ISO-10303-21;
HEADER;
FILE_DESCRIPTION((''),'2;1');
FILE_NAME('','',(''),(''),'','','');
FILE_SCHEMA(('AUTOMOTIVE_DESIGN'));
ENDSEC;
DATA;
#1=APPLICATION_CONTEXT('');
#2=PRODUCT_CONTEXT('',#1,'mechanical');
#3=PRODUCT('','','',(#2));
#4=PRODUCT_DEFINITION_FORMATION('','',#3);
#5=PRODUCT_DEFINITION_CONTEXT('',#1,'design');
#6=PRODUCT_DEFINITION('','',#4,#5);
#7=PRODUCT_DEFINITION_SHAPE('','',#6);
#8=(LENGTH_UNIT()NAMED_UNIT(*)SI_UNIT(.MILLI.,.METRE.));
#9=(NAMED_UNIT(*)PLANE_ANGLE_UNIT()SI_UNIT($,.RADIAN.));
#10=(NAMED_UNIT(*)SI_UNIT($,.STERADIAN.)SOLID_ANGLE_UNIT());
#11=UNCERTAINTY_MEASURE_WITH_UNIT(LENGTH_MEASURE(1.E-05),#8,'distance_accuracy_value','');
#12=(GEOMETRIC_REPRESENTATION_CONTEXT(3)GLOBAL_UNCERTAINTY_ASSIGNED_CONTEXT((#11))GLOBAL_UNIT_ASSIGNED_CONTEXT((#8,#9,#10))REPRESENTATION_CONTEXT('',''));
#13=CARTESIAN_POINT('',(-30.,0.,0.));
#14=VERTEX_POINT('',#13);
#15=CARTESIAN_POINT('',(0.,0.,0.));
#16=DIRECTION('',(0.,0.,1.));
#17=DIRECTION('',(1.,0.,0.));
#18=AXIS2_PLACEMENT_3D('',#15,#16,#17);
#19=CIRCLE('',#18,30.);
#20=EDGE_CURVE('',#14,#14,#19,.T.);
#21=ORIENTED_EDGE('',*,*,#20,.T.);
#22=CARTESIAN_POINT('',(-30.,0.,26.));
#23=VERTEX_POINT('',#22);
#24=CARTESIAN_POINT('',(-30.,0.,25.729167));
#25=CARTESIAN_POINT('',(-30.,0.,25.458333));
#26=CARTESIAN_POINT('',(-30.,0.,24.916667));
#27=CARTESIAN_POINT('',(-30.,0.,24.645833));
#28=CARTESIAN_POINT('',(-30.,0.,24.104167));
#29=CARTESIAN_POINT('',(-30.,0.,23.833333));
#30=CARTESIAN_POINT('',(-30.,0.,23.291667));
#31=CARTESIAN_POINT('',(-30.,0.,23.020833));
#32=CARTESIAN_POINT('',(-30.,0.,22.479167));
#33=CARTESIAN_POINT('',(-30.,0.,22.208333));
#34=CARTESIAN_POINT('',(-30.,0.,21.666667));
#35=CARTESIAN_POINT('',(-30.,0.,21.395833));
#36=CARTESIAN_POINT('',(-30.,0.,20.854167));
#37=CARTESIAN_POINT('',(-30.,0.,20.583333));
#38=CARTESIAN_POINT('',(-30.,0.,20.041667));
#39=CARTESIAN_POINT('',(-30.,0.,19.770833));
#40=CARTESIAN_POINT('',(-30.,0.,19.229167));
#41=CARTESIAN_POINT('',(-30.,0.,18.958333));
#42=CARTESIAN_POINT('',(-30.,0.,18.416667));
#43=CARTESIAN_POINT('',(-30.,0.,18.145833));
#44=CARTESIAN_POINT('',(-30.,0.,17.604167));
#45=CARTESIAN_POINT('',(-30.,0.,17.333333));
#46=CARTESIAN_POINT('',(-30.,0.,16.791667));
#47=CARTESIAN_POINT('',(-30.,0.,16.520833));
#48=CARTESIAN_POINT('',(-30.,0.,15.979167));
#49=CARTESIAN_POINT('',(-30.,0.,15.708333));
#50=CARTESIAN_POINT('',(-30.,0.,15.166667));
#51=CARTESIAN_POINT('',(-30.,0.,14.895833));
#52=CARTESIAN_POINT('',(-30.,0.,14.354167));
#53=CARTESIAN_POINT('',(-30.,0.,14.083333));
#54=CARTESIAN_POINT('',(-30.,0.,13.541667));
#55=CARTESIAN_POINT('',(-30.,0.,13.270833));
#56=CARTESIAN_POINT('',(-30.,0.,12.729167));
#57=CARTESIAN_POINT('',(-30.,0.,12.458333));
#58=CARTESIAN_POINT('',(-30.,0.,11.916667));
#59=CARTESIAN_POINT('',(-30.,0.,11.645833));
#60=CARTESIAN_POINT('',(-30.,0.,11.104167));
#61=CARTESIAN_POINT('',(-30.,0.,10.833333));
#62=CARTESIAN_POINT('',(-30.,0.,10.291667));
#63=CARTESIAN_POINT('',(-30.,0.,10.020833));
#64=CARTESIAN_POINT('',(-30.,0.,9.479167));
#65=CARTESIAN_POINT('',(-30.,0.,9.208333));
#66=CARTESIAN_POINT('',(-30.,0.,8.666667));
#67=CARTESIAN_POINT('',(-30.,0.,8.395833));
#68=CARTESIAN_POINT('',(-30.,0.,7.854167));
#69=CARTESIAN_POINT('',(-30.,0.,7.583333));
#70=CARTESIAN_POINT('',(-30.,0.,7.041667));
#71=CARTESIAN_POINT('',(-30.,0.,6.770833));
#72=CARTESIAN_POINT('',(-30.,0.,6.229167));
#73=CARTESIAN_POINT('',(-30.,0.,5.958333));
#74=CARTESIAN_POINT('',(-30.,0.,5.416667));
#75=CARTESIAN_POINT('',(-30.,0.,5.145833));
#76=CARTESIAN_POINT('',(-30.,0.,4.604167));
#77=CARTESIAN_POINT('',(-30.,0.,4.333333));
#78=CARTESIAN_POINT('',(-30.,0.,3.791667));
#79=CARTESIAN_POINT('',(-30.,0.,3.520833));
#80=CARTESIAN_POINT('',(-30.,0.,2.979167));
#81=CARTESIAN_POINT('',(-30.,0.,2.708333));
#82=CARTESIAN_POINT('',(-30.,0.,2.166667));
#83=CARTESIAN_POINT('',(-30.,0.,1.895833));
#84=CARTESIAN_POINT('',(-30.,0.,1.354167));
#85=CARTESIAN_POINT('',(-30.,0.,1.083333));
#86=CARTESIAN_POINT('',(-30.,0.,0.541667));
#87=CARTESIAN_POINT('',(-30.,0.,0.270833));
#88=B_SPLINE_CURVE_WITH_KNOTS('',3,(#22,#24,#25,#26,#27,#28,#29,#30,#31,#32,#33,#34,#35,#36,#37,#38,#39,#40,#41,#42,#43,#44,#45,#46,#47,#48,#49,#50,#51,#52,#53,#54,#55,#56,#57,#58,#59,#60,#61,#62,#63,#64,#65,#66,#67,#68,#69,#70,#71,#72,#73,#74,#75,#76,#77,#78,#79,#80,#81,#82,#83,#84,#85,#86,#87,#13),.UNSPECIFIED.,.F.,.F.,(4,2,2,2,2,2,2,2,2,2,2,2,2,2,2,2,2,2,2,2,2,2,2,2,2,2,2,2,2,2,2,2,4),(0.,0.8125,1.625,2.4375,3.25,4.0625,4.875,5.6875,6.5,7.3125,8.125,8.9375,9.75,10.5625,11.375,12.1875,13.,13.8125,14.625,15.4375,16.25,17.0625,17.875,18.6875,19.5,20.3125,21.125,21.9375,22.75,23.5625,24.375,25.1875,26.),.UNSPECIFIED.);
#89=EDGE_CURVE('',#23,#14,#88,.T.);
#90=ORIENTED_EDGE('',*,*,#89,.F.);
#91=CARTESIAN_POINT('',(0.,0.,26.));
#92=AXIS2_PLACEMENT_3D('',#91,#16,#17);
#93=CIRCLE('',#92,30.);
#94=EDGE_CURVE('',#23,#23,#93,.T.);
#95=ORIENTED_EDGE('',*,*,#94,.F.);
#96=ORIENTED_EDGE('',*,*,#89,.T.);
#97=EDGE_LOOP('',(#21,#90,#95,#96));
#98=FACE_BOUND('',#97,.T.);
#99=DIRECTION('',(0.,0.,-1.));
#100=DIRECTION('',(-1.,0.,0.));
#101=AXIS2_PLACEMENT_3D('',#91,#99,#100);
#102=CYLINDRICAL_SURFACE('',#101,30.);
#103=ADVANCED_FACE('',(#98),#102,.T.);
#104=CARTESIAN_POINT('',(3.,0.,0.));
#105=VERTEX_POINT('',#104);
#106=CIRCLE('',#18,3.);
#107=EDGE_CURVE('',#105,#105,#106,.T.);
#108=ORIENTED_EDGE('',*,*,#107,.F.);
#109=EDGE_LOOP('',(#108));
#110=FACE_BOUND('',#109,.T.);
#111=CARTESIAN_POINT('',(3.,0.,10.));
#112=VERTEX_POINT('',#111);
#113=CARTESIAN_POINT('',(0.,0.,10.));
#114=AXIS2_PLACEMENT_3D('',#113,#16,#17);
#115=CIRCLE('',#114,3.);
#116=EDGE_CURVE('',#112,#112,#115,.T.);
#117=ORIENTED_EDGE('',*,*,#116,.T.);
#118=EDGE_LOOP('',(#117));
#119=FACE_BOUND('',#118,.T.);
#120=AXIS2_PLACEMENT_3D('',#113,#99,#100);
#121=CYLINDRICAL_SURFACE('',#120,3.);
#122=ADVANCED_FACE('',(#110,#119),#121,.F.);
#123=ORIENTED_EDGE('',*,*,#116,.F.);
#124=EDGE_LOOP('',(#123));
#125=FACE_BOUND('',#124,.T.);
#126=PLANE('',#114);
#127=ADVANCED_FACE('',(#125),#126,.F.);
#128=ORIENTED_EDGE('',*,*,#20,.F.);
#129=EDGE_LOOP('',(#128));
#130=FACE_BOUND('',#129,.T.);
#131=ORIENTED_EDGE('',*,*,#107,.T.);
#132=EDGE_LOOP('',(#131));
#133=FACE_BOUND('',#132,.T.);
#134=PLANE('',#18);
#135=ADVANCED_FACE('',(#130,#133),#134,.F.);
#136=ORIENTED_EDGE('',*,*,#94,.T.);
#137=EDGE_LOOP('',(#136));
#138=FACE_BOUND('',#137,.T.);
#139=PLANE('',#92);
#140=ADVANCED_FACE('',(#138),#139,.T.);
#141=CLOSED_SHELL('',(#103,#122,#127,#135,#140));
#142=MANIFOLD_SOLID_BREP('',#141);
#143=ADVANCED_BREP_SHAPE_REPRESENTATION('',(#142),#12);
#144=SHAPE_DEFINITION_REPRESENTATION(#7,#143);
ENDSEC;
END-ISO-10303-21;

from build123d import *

# Parameters (mm, degrees)
SKETCH1_R           = 30
BOSS_EXTRUDE1_DEPTH = 26
CUT_EXTRUDE1_START  = -26
SKETCH2_R           = 3
CUT_EXTRUDE1_DEPTH  = 10


with BuildPart() as part:
    # Sketch1 → Boss-Extrude1 (new body)
    with BuildSketch(Plane.XY):
        with Locations(Location((0, 0, 0), (0, 0, 180))):
            Circle(SKETCH1_R)
    extrude(amount=BOSS_EXTRUDE1_DEPTH)

    # Sketch2 → Cut-Extrude1 (cut)
    with BuildSketch(Plane.XY.offset(26).offset(CUT_EXTRUDE1_START)):
        Circle(SKETCH2_R)
    extrude(amount=CUT_EXTRUDE1_DEPTH, mode=Mode.SUBTRACT)


solid = part.part
